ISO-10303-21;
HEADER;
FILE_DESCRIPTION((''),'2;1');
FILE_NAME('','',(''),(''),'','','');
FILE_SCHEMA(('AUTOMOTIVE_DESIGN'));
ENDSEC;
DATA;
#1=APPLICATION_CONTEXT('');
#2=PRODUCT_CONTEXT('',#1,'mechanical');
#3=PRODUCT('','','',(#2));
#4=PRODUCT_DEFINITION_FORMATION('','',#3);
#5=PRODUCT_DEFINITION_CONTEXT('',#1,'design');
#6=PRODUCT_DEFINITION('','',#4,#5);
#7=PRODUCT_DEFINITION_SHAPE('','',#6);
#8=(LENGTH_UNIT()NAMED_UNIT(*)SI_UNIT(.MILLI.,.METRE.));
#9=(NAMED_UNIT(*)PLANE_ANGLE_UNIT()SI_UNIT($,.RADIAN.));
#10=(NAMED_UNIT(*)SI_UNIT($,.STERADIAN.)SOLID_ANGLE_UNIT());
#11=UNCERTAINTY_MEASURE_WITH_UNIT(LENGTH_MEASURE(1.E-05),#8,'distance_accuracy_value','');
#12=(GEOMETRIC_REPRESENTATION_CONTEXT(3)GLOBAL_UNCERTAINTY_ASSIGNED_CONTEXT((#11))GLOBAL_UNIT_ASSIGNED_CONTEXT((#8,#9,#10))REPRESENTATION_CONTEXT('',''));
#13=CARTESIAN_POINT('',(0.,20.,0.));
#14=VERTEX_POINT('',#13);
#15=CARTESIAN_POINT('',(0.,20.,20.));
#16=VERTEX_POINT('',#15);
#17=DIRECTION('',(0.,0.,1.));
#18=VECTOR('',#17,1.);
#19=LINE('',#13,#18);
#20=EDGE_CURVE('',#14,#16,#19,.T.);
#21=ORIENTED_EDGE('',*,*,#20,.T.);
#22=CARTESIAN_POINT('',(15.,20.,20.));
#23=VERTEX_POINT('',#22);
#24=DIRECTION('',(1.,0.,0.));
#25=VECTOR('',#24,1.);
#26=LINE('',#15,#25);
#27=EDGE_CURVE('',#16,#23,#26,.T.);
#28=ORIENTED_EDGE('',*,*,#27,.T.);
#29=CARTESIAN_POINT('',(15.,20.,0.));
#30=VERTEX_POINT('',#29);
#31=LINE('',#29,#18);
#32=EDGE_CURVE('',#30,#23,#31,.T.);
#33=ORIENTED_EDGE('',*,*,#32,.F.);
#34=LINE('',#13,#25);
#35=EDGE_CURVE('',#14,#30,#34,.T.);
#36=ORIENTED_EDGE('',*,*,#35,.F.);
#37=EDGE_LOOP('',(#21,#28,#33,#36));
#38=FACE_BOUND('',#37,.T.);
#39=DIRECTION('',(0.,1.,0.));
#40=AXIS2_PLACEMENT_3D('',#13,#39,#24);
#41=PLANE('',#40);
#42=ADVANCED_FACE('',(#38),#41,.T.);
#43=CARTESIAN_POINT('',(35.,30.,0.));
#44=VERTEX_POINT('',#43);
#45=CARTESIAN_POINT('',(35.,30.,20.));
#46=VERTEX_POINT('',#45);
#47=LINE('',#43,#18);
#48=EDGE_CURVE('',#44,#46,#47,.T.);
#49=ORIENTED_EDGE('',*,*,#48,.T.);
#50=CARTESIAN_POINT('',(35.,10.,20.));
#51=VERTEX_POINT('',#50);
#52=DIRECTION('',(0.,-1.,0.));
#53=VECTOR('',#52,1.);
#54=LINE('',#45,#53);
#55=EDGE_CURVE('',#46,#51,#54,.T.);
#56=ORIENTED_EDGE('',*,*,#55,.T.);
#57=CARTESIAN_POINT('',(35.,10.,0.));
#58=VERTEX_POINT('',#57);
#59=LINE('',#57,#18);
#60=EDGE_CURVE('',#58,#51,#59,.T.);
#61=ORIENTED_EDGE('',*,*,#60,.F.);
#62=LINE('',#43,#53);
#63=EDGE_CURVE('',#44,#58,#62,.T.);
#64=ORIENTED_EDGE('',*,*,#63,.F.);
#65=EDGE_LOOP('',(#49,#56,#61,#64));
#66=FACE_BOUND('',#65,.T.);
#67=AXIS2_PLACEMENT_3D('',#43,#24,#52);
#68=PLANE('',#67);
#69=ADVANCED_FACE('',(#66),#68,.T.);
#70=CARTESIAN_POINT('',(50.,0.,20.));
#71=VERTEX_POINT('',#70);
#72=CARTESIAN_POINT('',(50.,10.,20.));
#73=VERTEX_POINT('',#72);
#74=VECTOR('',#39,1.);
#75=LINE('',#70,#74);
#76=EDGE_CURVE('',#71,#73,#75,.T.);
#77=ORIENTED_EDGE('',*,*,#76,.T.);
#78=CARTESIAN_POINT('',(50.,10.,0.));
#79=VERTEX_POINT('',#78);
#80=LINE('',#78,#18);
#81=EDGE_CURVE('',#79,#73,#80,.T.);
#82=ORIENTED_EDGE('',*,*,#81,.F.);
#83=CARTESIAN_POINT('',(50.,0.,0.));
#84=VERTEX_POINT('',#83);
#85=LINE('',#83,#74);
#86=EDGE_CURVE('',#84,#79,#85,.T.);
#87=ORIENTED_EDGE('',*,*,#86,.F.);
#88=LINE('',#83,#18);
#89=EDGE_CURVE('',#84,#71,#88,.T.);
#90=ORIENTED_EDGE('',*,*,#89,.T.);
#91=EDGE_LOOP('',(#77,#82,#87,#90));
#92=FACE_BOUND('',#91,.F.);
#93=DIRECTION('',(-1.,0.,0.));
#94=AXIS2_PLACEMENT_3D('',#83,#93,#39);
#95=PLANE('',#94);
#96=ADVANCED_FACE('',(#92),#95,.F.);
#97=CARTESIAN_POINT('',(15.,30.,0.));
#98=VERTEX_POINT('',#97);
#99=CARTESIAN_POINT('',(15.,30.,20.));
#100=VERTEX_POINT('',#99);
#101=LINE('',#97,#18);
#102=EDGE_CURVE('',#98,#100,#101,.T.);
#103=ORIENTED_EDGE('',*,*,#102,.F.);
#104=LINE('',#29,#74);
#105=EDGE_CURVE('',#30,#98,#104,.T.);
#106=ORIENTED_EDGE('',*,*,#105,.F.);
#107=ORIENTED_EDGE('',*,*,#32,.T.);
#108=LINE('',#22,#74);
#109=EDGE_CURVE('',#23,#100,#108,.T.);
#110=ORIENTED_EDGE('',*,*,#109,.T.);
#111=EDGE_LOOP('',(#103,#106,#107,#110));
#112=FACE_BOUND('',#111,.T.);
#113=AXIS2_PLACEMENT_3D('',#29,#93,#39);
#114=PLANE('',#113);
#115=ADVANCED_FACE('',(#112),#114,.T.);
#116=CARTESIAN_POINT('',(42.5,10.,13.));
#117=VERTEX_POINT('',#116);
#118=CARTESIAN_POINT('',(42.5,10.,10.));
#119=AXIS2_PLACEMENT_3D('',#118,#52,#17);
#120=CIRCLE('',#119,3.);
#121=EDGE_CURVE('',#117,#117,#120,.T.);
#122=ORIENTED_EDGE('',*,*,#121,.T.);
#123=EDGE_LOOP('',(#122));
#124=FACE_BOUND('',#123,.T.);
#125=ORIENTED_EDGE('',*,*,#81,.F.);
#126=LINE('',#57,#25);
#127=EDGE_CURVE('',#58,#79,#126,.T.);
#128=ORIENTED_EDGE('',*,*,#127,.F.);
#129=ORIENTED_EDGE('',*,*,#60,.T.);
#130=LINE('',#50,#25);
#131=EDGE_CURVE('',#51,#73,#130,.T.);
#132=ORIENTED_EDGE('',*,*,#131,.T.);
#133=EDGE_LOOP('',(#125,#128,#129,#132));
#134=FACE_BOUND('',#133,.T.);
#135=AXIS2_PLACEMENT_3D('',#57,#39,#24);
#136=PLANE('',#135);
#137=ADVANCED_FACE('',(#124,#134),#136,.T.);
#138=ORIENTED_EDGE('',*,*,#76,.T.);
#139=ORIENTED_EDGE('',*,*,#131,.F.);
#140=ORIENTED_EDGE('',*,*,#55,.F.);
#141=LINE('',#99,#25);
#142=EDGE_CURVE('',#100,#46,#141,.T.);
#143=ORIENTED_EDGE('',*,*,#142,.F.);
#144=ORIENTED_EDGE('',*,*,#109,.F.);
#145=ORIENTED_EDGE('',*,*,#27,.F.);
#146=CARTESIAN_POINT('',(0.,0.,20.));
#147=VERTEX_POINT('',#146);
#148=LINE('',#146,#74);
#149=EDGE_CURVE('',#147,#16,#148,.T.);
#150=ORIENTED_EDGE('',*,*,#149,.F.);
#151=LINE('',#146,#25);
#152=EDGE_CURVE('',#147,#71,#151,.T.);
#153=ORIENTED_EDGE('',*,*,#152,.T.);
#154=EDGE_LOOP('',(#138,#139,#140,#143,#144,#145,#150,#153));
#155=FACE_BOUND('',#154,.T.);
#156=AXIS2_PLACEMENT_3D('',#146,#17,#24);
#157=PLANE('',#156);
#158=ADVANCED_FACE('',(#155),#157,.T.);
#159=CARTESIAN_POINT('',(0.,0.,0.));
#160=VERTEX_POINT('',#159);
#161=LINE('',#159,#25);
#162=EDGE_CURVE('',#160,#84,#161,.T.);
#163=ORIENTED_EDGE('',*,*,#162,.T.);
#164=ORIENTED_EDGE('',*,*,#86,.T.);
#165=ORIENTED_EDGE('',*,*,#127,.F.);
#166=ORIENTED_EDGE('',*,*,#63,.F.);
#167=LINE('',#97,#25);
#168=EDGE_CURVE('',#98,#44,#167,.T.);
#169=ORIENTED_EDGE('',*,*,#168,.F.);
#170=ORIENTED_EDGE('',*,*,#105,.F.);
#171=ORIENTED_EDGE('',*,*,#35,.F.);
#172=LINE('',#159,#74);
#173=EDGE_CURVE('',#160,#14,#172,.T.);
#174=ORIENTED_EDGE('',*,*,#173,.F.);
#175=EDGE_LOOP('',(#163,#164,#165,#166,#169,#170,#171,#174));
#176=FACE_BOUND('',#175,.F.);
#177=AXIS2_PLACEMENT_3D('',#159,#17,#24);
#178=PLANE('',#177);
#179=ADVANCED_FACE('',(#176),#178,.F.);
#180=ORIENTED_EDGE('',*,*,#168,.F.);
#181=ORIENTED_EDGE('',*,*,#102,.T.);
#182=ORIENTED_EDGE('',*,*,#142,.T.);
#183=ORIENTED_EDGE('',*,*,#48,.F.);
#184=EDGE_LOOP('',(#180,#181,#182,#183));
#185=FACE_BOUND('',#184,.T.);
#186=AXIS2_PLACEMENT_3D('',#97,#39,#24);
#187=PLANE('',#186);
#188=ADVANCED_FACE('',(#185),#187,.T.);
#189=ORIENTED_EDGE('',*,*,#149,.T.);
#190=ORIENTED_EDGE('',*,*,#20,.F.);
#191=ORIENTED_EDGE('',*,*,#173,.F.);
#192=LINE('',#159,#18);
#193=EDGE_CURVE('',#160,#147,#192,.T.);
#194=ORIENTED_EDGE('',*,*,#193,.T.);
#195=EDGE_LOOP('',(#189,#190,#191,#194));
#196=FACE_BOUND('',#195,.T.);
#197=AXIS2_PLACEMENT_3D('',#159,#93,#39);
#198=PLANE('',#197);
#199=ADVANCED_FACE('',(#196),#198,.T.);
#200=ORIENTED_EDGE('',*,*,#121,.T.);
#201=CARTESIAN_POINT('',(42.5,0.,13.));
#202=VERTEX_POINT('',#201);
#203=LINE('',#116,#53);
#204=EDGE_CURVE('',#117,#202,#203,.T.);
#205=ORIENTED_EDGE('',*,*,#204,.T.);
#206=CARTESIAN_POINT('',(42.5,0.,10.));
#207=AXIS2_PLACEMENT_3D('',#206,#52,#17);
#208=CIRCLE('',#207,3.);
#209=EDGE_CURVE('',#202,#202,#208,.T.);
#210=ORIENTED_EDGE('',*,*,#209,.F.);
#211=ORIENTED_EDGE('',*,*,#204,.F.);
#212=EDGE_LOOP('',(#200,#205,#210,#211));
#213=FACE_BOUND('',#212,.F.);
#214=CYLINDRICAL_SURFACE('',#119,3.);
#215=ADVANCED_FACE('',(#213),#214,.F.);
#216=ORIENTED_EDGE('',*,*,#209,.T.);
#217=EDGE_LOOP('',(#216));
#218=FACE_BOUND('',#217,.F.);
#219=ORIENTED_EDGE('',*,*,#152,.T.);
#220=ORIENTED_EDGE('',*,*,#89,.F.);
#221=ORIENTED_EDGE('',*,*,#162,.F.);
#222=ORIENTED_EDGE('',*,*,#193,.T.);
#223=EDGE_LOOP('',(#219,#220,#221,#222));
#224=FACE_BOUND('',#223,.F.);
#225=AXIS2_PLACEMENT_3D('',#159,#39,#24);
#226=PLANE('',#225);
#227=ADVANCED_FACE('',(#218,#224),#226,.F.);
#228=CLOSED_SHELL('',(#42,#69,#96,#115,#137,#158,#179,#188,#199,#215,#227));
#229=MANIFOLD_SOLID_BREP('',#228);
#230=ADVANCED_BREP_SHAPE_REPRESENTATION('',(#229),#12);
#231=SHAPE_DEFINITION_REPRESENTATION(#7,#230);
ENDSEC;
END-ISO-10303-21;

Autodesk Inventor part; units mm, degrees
ref_plane "YZ Plane" through (0, 0, 0) normal (1, 0, 0) x (0, 1, 0)
ref_plane "XZ Plane" through (0, 0, 0) normal (0, 1, 0) x (-1, 0, 0)
ref_plane "XY Plane" through (0, 0, 0) normal (0, 0, 1) x (1, 0, 0)
sketch "Esboço1" plane through (0, 0, 0) normal (0, 0, 1) x (1, 0, 0)
  line L0 (0, 0) -> (50, 0)
  line L1 (50, 0) -> (50, 10)
  line L2 (0, 0) -> (0, 20)
  line L3 (0, 20) -> (15, 20)
  line L4 (15, 20) -> (15, 30)
  line L5 (15, 30) -> (35, 30)
  line L6 (35, 30) -> (35, 10)
  line L7 (35, 10) -> (50, 10)
  dimension "d0" = 50
  dimension "d1" = 10
  dimension "d2" = 20
  dimension "d3" = 15
  dimension "d4" = 10
  dimension "d5" = 20
extrude "Extrusão1" add sketch "Esboço1" along normal blind 20
sketch "Esboço2" plane through (35, 10, 0) normal (0, 1, 0) x (1, 0, 0)
  line L0 (15, 0) -> (15, -20) projected
  line L1 (15, -20) -> (0, -20) projected
  point P0 (-35, 0)
  point P1 (7.5, -10)
  dimension "d8" = 7.5
  dimension "d16" = 10
hole "Furo1" at (42.5, 10, 10) direction (0, -1, 0) diameter 6 end through all
